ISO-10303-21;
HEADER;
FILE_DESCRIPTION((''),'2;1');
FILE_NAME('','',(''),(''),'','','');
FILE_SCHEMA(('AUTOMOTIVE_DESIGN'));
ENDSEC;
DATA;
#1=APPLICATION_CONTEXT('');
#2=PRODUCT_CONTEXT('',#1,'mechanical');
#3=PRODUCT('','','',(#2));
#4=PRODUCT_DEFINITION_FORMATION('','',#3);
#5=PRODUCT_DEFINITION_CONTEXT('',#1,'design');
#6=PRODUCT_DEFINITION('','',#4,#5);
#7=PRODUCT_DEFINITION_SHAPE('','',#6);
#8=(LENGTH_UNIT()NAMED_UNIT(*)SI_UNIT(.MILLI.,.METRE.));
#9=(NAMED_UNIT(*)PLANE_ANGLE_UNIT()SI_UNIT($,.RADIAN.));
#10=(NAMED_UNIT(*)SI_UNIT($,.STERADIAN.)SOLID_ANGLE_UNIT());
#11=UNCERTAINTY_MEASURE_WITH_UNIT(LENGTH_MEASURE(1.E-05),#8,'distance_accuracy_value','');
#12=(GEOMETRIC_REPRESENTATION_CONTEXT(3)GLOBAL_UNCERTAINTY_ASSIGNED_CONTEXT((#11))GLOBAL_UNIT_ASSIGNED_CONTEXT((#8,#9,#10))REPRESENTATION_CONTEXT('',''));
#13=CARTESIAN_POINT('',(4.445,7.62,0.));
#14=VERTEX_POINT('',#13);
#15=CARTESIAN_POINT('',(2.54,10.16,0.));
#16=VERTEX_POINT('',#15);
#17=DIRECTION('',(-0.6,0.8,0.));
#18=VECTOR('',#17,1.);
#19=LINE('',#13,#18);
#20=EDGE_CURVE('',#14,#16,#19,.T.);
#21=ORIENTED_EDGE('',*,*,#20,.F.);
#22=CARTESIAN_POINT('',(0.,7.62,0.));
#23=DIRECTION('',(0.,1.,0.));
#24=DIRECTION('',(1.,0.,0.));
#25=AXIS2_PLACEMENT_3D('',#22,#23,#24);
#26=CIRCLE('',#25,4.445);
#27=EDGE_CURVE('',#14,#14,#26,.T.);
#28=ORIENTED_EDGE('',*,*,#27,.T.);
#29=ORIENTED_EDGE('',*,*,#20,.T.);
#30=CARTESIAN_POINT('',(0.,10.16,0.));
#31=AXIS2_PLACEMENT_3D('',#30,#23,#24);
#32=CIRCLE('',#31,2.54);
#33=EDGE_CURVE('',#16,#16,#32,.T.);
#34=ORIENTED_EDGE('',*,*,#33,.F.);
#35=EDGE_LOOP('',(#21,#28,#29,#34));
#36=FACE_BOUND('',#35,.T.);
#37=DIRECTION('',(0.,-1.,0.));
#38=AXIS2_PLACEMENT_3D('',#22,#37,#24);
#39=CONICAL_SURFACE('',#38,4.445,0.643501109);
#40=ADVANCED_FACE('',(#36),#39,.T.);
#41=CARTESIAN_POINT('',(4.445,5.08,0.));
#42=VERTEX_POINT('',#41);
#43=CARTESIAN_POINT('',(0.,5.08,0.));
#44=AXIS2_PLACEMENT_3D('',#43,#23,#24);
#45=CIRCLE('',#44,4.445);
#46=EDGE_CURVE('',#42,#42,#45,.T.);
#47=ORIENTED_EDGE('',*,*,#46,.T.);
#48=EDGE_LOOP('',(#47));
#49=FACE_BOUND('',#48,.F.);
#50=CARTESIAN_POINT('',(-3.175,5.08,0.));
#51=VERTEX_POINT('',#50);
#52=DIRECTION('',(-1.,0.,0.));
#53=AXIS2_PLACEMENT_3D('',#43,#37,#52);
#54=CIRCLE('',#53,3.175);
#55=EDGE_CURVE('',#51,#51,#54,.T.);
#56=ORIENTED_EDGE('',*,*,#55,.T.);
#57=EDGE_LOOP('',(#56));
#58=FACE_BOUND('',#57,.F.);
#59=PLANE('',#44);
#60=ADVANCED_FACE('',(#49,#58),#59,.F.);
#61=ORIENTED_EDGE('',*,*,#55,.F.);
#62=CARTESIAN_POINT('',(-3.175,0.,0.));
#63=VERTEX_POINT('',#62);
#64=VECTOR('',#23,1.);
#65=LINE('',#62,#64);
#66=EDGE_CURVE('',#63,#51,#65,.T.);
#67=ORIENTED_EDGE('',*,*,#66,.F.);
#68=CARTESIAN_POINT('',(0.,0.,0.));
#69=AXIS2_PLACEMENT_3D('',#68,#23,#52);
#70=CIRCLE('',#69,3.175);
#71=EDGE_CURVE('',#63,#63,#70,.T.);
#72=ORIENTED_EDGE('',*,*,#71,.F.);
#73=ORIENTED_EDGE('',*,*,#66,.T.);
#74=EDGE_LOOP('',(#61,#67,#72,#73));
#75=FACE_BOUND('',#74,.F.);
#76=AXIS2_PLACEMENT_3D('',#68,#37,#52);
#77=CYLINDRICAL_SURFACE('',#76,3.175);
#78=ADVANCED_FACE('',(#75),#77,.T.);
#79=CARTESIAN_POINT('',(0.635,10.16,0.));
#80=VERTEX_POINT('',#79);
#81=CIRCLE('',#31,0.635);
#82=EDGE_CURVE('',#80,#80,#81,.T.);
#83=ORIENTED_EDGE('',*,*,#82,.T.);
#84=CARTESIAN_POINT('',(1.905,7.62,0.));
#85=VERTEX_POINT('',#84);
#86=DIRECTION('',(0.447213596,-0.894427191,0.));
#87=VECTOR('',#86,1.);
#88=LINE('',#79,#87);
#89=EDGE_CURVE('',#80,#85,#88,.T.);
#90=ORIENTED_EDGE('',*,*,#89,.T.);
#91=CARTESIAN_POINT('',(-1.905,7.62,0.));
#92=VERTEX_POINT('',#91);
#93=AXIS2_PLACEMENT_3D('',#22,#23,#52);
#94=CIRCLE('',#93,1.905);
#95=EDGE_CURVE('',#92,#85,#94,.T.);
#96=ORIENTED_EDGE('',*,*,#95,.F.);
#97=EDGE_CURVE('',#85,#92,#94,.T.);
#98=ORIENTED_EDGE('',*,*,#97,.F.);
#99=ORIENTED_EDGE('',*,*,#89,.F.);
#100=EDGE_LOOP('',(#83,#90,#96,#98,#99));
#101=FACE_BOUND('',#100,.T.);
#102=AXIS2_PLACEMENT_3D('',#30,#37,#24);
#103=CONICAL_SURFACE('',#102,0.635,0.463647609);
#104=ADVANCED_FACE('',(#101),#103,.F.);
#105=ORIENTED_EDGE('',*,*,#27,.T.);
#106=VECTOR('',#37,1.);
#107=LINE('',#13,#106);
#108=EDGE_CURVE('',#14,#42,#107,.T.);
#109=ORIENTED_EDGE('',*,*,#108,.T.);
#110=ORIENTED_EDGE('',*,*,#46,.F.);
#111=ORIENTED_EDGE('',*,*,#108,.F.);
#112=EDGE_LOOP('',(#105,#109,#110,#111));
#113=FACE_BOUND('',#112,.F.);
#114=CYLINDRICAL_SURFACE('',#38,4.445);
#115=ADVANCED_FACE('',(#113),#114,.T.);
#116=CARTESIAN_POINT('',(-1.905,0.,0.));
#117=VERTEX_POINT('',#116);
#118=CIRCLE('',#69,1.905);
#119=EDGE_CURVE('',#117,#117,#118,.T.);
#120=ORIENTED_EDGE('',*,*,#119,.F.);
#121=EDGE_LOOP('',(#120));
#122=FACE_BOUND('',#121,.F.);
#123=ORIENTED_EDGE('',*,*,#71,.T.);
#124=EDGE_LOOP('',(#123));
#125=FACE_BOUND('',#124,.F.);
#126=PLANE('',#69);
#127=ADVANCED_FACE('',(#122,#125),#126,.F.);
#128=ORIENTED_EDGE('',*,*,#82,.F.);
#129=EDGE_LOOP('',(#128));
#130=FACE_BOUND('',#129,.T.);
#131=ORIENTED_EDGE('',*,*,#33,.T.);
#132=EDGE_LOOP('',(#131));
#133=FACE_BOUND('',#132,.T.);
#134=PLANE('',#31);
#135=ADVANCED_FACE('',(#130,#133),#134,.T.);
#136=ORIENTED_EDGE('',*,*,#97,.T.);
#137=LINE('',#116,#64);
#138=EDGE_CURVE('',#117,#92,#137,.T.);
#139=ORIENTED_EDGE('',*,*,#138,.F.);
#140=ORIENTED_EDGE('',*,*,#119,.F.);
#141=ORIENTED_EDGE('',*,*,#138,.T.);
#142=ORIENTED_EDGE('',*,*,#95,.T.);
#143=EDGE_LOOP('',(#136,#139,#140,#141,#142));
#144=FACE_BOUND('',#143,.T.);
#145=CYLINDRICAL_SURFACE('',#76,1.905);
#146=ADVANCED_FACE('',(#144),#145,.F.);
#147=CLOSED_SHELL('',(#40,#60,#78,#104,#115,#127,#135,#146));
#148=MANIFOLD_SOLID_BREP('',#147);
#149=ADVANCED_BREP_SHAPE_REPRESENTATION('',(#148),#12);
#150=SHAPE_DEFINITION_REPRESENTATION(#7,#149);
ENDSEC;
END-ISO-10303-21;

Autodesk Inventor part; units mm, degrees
ref_plane "YZ Plane" through (0, 0, 0) normal (1, 0, 0) x (0, 1, 0)
ref_plane "XZ Plane" through (0, 0, 0) normal (0, 1, 0) x (-1, 0, 0)
ref_plane "XY Plane" through (0, 0, 0) normal (0, 0, 1) x (1, 0, 0)
sketch "Sketch1" plane through (0, 0, 0) normal (0, 1, 0) x (-1, 0, 0)
  circle A0 centre (0, 0) radius 3.175
  circle A1 centre (0, 0) radius 1.905
  dimension "d0" = 6.35
  dimension "d1" = 3.81
extrude "Extrusion1" add sketch "Sketch1" along normal blind 7.62
sketch "Sketch2" plane through (0, 7.62, 0) normal (0, 1, 0) x (1, 0, 0)
  point P0 (0, 0)
sketch "Sketch3" plane through (0, 0, 0) normal (0, 0, 1) x (1, 0, 0)
  line L0 (3.175, 7.62) -> (-3.175, 7.62) projected
  line L1 (0, 7.62) -> (0, 10.16)
  line L2 (0, 10.16) -> (0.635, 10.16)
  line L3 (4.445, 7.62) -> (2.54, 10.16)
  line L4 (2.54, 10.16) -> (0.635, 10.16)
  line L5 (4.445, 7.62) -> (4.445, 5.08)
  line L6 (4.445, 5.08) -> (3.175, 5.08)
  line L7 (3.175, 0) -> (3.175, 7.62) projected
  line L8 (3.175, 7.62) -> (3.175, 5.08)
  line L9 (0.635, 10.16) -> (1.905, 7.62)
  line L10 (3.175, 7.62) -> (1.905, 7.62)
  point P0 (0, 0)
  dimension "d4" = 2.54
  dimension "d5" = 0.635
  dimension "d6" = 1.27
revolve "Revolution1" add sketch "Sketch3" angle 360 about axis through (0, 7.62, 0) along (0, 1, 0) contours L0 L9 L4 L3 L5 L6 L7
properties part number "Nozzle"
